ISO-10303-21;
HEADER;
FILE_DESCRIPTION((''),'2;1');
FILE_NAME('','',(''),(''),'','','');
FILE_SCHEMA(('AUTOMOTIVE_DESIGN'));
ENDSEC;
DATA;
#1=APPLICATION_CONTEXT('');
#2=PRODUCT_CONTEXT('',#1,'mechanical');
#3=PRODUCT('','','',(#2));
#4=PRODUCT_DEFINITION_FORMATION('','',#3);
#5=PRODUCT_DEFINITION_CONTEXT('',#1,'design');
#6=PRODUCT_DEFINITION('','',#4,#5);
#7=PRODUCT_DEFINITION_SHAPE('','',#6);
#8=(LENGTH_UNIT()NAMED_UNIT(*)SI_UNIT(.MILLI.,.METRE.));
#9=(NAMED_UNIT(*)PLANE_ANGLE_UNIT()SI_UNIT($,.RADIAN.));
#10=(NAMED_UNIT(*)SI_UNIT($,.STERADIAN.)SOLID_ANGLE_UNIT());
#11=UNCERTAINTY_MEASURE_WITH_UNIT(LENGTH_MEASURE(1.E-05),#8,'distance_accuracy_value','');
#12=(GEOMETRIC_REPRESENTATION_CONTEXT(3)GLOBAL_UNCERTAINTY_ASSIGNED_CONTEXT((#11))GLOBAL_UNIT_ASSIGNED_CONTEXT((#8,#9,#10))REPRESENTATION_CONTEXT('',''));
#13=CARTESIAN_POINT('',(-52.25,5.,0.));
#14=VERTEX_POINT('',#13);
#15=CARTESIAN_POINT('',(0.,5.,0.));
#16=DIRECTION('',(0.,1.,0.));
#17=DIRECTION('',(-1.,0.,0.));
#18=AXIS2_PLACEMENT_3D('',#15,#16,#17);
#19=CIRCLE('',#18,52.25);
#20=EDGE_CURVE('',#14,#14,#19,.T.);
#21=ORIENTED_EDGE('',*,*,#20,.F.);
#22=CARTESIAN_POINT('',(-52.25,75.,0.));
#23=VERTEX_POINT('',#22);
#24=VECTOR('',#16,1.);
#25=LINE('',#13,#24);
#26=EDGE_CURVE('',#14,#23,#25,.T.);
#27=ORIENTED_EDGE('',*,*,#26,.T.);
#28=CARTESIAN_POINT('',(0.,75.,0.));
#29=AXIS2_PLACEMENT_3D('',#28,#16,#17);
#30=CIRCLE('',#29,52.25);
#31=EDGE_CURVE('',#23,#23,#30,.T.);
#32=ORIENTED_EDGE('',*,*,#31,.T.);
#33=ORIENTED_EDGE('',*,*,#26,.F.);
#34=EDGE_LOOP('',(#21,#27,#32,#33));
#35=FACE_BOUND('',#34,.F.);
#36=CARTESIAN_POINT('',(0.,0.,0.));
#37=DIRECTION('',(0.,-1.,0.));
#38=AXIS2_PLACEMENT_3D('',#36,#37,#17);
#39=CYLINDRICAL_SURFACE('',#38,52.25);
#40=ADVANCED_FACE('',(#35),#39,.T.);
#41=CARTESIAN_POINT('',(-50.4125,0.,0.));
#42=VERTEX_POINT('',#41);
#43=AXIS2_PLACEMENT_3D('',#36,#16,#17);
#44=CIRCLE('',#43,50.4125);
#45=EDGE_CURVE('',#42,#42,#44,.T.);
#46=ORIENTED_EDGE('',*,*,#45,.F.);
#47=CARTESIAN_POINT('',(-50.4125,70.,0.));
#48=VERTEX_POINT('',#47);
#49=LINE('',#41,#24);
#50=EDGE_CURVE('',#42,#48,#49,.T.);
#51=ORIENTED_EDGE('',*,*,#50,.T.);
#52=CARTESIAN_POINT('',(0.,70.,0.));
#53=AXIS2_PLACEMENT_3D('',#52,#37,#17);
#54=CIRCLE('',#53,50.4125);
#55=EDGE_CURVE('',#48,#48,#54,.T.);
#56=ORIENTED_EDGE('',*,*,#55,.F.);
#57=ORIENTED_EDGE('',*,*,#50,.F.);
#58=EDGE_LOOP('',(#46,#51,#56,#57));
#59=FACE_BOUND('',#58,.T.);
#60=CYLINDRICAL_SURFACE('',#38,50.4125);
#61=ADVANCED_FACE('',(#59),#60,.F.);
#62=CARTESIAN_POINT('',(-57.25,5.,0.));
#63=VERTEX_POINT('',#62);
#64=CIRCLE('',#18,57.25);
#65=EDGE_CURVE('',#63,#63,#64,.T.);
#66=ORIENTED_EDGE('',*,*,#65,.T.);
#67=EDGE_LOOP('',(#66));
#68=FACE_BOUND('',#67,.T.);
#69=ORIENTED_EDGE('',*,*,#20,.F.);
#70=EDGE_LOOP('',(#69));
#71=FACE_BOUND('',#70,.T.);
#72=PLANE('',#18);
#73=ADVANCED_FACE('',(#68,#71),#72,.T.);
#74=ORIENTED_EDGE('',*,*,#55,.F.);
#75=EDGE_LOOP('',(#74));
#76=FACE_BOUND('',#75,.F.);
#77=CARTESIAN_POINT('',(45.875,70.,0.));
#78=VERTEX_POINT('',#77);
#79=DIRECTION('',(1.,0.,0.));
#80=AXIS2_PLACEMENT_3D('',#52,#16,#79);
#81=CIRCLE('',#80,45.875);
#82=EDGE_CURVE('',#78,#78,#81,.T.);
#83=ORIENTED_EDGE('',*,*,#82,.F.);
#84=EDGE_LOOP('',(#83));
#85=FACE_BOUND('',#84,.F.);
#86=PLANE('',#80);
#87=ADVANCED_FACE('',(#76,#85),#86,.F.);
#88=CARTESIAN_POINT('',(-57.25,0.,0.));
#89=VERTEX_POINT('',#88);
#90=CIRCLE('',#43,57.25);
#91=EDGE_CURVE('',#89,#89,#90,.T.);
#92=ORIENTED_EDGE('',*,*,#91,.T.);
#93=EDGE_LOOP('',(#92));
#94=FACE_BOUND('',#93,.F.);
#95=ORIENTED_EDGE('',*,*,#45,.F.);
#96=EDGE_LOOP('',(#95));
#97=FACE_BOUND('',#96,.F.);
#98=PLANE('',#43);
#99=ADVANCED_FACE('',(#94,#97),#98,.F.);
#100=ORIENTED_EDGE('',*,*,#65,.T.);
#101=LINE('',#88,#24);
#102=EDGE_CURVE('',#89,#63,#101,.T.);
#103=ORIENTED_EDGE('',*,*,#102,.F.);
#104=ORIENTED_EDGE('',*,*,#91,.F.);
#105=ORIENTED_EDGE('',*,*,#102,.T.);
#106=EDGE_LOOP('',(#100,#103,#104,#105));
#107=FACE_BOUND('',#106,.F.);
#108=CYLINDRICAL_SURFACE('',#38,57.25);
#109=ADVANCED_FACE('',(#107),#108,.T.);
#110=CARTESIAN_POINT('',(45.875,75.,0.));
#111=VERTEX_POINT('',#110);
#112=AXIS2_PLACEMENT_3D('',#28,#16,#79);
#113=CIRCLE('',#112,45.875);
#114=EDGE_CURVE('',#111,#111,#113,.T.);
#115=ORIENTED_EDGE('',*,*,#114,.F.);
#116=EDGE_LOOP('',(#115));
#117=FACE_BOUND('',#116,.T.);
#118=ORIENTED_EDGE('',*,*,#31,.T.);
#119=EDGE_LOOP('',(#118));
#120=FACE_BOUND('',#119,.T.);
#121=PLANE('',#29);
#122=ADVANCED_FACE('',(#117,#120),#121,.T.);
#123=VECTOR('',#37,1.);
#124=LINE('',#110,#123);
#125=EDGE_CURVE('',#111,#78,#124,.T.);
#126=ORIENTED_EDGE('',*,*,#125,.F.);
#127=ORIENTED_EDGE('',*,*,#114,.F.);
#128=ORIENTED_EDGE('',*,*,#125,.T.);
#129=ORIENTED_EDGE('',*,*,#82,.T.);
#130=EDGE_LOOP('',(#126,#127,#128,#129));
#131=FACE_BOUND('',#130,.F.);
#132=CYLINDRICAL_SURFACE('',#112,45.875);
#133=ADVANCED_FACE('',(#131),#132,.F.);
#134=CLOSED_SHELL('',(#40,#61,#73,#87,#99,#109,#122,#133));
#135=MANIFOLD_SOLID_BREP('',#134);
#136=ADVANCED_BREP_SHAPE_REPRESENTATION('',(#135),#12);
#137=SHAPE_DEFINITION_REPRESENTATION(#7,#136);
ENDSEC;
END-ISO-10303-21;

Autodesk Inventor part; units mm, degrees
ref_plane "YZ Plane" through (0, 0, 0) normal (1, 0, 0) x (0, 1, 0)
ref_plane "XZ Plane" through (0, 0, 0) normal (0, 1, 0) x (-1, 0, 0)
sketch "Sketch1" plane through (0, 0, 0) normal (0, 1, 0) x (-1, 0, 0)
  circle A0 centre (0, 0) radius 57.25
  circle A1 centre (0, 0) radius 52.25
  circle A2 centre (0, 0) radius 50.4125
  circle A3 centre (0, 0) radius 9.5
  dimension "Absolute_Diameter" = 114.5
  dimension "Diameter_No_Outer_Lip" = 104.5
  dimension "Inner_Cylinder_Diameter" = 100.825
  dimension "Lip_Diameter" = 19
extrude "Extrusion1" add sketch "Sketch1" along normal blind 5 contours A0
extrude "Extrusion2" add sketch "Sketch1" along normal blind 75 contours A1
sketch "Sketch2" plane through (0, 75, 0) normal (0, 1, 0) x (1, 0, 0)
  circle A0 centre (0, 0) radius 52.25
  circle A1 centre (0, 0) radius 45.875
  dimension "Lip_Diameter_Out" = 104.5
  dimension "Inner_Lip_Diameter" = 91.75
extrude "Extrusion7" add sketch "Sketch2" against normal blind 5
ref_plane "Work Plane2" through (0, 10, 0) normal (0, 1, 0) x (1, 0, 0)
sketch "Sketch3" plane through (0, 10, 0) normal (0, 1, 0) x (1, 0, 0)
  circle A0 centre (0, 0) radius 127.5
  circle A1 centre (0, 127.5) radius 2.75
  circle A2 centre (-74.9426, 103.1497) radius 2.75
  circle A3 centre (-121.2597, 39.3997) radius 2.75
  circle A4 centre (-121.2597, -39.3997) radius 2.75
  circle A5 centre (-74.9426, -103.1497) radius 2.75
  circle A6 centre (0, -127.5) radius 2.75
  circle A7 centre (74.9426, -103.1497) radius 2.75
  circle A8 centre (121.2597, -39.3997) radius 2.75
  circle A9 centre (121.2597, 39.3997) radius 2.75
  circle A10 centre (74.9426, 103.1497) radius 2.75
  dimension "d27" = 255
  dimension "d229" = 5.5
  dimension "d232" = 360
extrude "Extrusion8" [suppressed]
sketch "Sketch24" plane through (0, 0, 0) normal (0, -1, 0) x (1, 0, 0)
  circle A0 centre (0, 0) radius 112.0375
  arc A1 (-85.157, -104.7535) -> (32.5, -131.0296) centre (0, 0) ccw
  circle A2 centre (0, 0) radius 133
  line L0 (-32.5, -70.125) -> (32.5, -70.125)
  line L1 (32.5, -70.125) -> (32.5, -160.125)
  line L2 (32.5, -160.125) -> (-32.5, -160.125)
  line L3 (-32.5, -160.125) -> (-32.5, -70.125)
  line L4 (-31, -158.625) -> (31, -158.625)
  line L5 (31, -158.625) -> (31, -71.625)
  line L6 (31, -71.625) -> (-31, -71.625)
  line L7 (-31, -71.625) -> (-31, -158.625)
  line L8 (-85.157, -65.125) -> (-46.3, -65.125)
  line L9 (-46.3, -65.125) -> (-46.3, -151.2985)
  line L10 (-46.3, -151.2985) -> (-85.157, -151.2985)
  line L11 (-85.157, -151.2985) -> (-85.157, -65.125)
  arc A3 (32.5, -131.0296) -> (-85.157, -104.7535) centre (0, 0) ccw
  line L12 (0, -71.625) -> (0, -158.625)
  line L13 (-83.157, -149.2985) -> (-48.3, -149.2985)
  line L14 (-48.3, -149.2985) -> (-48.3, -67.125)
  line L15 (-48.3, -67.125) -> (-83.157, -67.125)
  line L16 (-83.157, -67.125) -> (-83.157, -149.2985)
  line L17 (85.157, -65.125) -> (46.3, -65.125)
  line L18 (46.3, -65.125) -> (46.3, -151.2985)
  line L19 (46.3, -151.2985) -> (85.157, -151.2985)
  line L20 (85.157, -151.2985) -> (85.157, -65.125)
  line L21 (83.157, -149.2985) -> (48.3, -149.2985)
  line L22 (48.3, -149.2985) -> (48.3, -67.125)
  line L23 (48.3, -67.125) -> (83.157, -67.125)
  line L24 (83.157, -67.125) -> (83.157, -149.2985)
  circle A4 centre (0, 0) radius 120
  point P0 (0, -135)
  point P1 (48.3, -126.0639)
  point P2 (83.157, -106.3481)
  point P3 (-31, -131.3925)
  point P4 (31, -131.3925)
  point P5 (-83.157, -106.3481)
  point P6 (-48.3, -126.0639)
  point P7 (46.3, -126.8121)
  point P8 (85.157, -104.7535)
  point P9 (-32.5, -131.0296)
  point P10 (-46.3, -126.8121)
  point P11 (48.3, -109.8504)
  point P12 (48.3, -101.0916)
  point P13 (31, -107.6634)
  point P14 (31, -115.9267)
  point P15 (-48.3, -109.8504)
  point P16 (-31, -115.9267)
  point P17 (-31, -107.6634)
  point P18 (-48.3, -101.0916)
  dimension "d234" = 2
  dimension "d235" = 65
  dimension "d237" = 1.5
  dimension "d238" = 11.113
  dimension "d240" = 20.9625
  dimension "d241" = 270
  dimension "d242" = 90
  dimension "d243" = 153.238
  dimension "d244" = 228.338
  dimension "d247" = 2
  dimension "d248" = 129.75
  dimension "d253" = 240
extrude "Extrusion30" [suppressed]
extrude "Extrusion31" [suppressed]
extrude "Extrusion32" [suppressed]
fillet "Fillet14" [suppressed]
fillet "Fillet15" [suppressed]
fillet "Fillet16" [suppressed]
fillet "Fillet17" [suppressed]
fillet "Fillet18" [suppressed]
sketch "Sketch25" plane through (0, 70, 0) normal (0, -1, 0) x (1, 0, 0)
  circle A0 centre (0, 0) radius 112.0375
  circle A1 centre (0, 0) radius 115
extrude "Extrusion33" [suppressed]
properties part number "Cylinder  Segment - 10"
